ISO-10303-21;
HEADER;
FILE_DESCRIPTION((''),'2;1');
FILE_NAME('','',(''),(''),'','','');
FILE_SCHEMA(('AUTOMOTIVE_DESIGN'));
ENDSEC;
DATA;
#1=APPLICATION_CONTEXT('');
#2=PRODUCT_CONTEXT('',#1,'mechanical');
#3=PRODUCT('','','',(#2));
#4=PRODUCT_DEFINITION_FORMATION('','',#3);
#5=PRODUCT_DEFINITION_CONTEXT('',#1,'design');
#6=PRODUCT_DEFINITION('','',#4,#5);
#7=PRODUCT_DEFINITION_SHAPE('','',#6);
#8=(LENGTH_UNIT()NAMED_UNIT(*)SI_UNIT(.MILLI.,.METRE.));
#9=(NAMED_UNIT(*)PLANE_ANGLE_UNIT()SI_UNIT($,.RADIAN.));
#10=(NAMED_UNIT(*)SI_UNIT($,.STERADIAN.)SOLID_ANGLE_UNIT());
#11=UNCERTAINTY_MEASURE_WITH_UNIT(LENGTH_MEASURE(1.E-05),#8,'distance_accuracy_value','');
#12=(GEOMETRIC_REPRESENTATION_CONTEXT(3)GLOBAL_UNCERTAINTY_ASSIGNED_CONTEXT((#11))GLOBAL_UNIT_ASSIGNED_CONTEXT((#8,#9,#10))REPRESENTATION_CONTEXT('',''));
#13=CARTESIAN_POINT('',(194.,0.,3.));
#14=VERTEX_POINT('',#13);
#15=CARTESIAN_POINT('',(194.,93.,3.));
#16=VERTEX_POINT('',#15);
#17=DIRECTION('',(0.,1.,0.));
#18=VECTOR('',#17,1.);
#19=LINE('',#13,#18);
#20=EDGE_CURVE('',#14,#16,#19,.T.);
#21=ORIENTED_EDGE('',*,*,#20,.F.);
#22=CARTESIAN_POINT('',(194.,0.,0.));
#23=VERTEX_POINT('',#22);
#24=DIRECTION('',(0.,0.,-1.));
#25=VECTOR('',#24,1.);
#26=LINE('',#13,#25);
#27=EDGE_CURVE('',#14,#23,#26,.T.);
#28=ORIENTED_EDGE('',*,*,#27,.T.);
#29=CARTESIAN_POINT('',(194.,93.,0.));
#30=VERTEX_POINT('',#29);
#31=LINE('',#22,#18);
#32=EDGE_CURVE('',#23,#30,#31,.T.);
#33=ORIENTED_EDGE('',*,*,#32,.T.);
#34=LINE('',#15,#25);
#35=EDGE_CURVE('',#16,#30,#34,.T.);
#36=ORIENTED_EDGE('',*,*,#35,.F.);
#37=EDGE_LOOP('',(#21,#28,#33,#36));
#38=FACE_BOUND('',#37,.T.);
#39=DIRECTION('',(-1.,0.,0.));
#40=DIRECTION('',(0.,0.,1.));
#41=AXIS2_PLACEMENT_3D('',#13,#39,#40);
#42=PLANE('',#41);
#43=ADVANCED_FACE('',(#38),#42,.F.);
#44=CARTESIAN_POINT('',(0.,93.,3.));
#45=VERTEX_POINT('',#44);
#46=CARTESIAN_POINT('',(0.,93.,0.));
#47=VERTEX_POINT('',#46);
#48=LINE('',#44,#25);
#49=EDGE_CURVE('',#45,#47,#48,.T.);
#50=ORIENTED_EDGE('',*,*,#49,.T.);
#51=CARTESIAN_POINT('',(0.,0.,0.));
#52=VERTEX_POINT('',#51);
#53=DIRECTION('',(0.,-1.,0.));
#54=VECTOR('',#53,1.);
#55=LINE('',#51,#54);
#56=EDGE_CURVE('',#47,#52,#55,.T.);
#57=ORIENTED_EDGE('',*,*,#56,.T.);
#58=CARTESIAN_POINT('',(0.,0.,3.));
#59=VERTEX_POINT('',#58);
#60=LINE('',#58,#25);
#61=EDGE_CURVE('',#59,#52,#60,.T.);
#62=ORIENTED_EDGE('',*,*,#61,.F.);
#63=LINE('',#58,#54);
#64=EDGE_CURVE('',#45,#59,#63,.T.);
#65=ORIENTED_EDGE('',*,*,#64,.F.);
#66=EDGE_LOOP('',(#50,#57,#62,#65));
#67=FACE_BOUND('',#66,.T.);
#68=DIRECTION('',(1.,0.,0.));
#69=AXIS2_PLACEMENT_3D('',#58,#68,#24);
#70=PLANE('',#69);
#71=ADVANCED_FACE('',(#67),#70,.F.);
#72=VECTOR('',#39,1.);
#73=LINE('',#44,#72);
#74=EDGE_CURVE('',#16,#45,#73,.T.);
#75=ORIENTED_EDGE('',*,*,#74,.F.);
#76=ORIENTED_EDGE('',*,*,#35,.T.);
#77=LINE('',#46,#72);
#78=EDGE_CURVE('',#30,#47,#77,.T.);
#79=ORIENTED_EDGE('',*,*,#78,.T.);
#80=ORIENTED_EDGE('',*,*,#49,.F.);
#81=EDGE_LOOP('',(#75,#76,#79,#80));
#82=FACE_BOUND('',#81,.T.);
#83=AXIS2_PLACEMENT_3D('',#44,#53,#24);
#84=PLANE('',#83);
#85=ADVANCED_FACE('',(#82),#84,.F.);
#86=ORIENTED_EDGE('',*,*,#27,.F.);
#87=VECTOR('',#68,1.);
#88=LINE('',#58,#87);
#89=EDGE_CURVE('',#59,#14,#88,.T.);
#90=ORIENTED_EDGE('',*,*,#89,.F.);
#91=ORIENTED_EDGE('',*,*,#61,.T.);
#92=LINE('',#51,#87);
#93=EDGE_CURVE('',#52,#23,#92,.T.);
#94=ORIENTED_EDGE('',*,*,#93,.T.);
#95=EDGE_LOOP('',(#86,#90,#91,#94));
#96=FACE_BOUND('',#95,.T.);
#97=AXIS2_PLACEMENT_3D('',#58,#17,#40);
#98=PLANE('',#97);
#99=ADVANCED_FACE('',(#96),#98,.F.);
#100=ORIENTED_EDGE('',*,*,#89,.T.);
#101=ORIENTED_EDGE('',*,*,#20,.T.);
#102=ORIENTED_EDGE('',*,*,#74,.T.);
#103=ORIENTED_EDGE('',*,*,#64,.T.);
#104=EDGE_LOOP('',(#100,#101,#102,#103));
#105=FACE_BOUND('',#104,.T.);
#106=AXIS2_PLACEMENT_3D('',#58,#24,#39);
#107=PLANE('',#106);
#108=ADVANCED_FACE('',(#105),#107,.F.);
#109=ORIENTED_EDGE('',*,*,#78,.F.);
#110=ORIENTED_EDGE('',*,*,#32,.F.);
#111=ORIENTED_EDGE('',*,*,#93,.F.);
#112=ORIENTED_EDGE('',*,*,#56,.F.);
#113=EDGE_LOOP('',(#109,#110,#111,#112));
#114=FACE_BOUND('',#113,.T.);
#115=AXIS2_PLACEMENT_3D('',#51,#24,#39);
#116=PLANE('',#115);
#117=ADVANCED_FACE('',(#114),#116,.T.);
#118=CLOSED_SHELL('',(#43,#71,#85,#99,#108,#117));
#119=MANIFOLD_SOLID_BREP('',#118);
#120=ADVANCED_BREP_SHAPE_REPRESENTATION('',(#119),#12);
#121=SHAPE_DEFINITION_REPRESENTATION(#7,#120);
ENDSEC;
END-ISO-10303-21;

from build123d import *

# Parameters (mm, degrees)
SKETCH1_W     = 194
SKETCH1_H     = 93
PROFILE_DEPTH = 3


with BuildPart() as part:
    # Sketch1 → Profile (new body)
    with BuildSketch(Plane.XY):
        with Locations((97, 46.5)):
            Rectangle(SKETCH1_W, SKETCH1_H)
    extrude(amount=PROFILE_DEPTH)


solid = part.part
